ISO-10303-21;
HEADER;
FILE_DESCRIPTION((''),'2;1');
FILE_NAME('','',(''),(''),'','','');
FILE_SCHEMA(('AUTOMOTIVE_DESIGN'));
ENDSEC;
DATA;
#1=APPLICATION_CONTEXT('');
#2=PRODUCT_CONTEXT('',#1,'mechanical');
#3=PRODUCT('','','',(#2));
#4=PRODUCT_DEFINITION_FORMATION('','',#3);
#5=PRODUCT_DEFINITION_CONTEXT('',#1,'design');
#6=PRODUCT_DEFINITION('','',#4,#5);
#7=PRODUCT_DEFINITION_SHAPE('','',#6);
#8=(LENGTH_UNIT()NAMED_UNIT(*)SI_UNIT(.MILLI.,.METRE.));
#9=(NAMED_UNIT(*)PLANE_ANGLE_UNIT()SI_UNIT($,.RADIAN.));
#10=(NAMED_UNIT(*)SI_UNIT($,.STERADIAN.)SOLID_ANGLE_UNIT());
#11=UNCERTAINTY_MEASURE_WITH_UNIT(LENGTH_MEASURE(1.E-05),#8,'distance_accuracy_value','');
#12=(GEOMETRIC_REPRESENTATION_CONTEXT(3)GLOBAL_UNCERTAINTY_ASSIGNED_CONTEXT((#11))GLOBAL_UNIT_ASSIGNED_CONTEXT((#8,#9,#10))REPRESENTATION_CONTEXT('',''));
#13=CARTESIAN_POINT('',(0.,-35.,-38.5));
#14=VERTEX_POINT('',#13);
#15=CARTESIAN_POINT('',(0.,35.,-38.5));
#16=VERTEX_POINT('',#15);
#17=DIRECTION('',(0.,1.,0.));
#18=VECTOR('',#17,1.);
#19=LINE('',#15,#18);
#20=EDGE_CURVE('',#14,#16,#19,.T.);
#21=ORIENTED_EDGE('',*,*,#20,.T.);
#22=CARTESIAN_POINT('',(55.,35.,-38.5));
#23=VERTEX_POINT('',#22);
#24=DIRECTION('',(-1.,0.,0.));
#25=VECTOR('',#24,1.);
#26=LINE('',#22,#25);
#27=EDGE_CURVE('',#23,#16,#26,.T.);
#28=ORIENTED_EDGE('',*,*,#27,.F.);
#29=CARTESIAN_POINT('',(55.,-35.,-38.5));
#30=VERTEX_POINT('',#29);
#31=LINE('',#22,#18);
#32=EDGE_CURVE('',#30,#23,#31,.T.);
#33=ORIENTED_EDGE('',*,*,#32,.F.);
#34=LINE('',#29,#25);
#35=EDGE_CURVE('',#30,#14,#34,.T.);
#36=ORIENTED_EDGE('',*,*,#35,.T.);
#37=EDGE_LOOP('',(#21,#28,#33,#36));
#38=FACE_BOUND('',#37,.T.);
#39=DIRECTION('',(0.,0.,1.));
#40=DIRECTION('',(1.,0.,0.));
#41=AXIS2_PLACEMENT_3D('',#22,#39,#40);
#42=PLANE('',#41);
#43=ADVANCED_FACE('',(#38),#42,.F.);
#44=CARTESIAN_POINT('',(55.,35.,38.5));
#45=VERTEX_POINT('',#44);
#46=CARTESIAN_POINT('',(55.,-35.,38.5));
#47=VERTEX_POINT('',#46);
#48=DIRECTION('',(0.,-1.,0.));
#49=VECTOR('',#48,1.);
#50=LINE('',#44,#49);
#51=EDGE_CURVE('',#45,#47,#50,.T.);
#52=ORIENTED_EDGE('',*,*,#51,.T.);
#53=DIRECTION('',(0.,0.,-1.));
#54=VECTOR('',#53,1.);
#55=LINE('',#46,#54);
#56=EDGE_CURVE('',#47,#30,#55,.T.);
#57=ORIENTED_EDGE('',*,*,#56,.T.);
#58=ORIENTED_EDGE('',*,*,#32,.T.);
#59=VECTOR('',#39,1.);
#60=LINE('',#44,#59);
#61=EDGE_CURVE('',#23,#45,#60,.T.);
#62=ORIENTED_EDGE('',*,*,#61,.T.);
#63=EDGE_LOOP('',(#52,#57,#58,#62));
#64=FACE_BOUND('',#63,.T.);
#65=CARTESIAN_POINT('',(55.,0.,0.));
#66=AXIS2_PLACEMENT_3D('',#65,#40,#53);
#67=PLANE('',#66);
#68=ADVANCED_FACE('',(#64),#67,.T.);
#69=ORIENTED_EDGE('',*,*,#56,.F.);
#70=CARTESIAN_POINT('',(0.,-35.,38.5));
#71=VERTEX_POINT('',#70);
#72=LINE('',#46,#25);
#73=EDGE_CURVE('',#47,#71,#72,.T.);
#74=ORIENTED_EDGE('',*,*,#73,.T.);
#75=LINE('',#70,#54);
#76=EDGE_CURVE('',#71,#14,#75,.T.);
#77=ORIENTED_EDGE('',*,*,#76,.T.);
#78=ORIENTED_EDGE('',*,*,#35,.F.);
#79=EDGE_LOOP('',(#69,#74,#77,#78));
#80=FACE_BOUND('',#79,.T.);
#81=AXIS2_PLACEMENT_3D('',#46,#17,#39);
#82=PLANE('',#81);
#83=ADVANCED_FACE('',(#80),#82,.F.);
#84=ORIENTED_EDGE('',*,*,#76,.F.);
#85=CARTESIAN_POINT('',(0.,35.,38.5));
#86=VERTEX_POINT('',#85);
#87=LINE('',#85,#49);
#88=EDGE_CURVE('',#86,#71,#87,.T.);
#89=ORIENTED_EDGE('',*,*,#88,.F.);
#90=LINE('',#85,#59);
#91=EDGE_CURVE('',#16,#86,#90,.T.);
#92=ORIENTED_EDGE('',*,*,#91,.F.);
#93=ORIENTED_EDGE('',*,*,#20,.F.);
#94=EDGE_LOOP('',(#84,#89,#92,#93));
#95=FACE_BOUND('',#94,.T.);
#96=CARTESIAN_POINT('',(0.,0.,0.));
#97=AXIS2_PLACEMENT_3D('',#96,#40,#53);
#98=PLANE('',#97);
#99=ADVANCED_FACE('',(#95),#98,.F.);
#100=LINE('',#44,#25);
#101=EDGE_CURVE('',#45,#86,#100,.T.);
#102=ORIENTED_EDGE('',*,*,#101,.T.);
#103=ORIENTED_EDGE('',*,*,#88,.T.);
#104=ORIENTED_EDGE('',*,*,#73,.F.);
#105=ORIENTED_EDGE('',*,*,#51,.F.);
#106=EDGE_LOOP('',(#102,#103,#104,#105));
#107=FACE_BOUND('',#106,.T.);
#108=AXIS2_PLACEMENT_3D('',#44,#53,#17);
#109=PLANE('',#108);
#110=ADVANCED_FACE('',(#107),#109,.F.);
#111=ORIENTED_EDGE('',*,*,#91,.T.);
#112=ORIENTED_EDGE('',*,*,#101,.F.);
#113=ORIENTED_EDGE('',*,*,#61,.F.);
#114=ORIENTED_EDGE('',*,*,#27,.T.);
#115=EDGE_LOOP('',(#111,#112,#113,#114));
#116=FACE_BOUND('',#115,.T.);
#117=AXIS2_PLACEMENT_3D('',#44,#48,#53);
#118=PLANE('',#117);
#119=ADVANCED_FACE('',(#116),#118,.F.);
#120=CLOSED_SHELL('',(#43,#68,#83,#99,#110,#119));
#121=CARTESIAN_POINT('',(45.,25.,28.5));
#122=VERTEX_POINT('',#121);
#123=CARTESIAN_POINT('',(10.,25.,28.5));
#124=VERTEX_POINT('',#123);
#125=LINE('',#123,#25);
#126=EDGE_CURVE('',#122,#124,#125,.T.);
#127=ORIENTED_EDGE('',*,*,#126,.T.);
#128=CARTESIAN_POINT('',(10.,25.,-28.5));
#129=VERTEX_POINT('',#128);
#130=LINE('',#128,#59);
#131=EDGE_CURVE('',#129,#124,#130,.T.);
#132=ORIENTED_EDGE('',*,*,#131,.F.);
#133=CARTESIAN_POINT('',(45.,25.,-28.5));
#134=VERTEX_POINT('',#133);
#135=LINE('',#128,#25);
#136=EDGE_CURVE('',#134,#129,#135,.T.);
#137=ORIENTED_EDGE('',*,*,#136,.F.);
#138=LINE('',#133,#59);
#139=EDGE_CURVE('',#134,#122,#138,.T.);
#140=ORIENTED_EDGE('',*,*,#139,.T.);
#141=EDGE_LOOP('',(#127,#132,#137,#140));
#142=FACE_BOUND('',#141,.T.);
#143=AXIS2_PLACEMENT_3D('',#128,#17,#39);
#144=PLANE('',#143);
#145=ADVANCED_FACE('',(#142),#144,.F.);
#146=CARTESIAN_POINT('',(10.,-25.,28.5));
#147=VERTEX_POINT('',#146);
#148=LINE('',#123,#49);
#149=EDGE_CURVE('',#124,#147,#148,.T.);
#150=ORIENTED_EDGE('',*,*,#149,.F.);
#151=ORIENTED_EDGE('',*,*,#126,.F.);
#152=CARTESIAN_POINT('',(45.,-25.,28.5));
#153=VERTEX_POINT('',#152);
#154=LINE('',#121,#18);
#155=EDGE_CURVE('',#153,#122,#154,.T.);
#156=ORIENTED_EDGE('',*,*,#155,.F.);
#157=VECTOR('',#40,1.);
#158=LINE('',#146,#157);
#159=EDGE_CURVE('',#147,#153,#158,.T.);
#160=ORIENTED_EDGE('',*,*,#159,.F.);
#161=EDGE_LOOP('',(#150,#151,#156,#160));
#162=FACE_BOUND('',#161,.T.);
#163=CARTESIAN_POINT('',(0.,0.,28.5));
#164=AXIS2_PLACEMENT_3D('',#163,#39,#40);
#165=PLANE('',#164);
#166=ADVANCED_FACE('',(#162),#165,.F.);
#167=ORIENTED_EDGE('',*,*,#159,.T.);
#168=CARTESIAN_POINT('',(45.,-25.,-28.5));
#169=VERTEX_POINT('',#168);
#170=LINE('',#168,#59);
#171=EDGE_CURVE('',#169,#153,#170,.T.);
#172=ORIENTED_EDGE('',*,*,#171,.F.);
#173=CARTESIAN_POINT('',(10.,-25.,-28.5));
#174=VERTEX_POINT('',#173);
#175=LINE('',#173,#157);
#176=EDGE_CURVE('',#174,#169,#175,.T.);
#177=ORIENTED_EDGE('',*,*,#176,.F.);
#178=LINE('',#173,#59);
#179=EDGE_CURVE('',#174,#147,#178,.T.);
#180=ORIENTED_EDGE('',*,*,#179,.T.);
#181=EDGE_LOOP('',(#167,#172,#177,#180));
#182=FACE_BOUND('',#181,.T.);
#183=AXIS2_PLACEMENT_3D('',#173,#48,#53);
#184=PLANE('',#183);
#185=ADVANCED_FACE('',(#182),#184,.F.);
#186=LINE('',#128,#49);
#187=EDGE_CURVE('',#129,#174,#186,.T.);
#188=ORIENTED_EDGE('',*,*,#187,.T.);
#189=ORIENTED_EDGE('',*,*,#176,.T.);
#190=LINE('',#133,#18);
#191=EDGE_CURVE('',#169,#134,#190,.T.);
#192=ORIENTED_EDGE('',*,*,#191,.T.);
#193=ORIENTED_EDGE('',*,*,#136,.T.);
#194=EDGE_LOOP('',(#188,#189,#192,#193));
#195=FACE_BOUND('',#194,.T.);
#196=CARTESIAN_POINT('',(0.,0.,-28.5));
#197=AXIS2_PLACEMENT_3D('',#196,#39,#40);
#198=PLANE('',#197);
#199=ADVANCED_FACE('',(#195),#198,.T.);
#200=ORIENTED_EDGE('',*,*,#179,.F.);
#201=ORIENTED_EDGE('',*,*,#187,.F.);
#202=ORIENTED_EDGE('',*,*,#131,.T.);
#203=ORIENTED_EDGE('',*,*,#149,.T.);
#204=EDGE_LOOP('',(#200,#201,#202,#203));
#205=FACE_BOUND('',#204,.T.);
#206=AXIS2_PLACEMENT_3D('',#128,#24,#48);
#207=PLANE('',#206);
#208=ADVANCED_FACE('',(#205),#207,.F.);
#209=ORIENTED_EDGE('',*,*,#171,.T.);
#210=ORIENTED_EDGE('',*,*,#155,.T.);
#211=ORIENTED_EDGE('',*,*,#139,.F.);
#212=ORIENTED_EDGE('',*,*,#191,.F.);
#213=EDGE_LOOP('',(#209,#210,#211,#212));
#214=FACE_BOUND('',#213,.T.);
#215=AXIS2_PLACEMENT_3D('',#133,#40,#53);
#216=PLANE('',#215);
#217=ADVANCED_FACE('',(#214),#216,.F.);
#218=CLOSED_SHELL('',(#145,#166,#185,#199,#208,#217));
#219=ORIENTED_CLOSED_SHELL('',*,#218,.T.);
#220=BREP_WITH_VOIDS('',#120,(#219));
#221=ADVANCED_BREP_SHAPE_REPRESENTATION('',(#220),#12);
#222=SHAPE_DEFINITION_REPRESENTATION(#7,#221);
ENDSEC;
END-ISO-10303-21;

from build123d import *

# Parameters (mm, degrees)
SKETCH1_W           = 77
SKETCH1_H           = 70
BOSS_EXTRUDE1_DEPTH = 55
SKETCH3_W           = 35
SKETCH3_H           = 50
CUT_EXTRUDE1_DEPTH  = 57


with BuildPart() as part:
    # Sketch1 → Boss-Extrude1 (new body)
    with BuildSketch(Plane(origin=(0, 0, 0), x_dir=(0, 0, -1), z_dir=(1, 0, 0))):
        Rectangle(SKETCH1_W, SKETCH1_H)
    extrude(amount=BOSS_EXTRUDE1_DEPTH)

    # Sketch3 → Cut-Extrude1 (cut)
    with BuildSketch(Plane.XY.offset(28.5)):
        with Locations((27.5, 0)):
            Rectangle(SKETCH3_W, SKETCH3_H)
    extrude(amount=-CUT_EXTRUDE1_DEPTH, mode=Mode.SUBTRACT)


solid = part.part
